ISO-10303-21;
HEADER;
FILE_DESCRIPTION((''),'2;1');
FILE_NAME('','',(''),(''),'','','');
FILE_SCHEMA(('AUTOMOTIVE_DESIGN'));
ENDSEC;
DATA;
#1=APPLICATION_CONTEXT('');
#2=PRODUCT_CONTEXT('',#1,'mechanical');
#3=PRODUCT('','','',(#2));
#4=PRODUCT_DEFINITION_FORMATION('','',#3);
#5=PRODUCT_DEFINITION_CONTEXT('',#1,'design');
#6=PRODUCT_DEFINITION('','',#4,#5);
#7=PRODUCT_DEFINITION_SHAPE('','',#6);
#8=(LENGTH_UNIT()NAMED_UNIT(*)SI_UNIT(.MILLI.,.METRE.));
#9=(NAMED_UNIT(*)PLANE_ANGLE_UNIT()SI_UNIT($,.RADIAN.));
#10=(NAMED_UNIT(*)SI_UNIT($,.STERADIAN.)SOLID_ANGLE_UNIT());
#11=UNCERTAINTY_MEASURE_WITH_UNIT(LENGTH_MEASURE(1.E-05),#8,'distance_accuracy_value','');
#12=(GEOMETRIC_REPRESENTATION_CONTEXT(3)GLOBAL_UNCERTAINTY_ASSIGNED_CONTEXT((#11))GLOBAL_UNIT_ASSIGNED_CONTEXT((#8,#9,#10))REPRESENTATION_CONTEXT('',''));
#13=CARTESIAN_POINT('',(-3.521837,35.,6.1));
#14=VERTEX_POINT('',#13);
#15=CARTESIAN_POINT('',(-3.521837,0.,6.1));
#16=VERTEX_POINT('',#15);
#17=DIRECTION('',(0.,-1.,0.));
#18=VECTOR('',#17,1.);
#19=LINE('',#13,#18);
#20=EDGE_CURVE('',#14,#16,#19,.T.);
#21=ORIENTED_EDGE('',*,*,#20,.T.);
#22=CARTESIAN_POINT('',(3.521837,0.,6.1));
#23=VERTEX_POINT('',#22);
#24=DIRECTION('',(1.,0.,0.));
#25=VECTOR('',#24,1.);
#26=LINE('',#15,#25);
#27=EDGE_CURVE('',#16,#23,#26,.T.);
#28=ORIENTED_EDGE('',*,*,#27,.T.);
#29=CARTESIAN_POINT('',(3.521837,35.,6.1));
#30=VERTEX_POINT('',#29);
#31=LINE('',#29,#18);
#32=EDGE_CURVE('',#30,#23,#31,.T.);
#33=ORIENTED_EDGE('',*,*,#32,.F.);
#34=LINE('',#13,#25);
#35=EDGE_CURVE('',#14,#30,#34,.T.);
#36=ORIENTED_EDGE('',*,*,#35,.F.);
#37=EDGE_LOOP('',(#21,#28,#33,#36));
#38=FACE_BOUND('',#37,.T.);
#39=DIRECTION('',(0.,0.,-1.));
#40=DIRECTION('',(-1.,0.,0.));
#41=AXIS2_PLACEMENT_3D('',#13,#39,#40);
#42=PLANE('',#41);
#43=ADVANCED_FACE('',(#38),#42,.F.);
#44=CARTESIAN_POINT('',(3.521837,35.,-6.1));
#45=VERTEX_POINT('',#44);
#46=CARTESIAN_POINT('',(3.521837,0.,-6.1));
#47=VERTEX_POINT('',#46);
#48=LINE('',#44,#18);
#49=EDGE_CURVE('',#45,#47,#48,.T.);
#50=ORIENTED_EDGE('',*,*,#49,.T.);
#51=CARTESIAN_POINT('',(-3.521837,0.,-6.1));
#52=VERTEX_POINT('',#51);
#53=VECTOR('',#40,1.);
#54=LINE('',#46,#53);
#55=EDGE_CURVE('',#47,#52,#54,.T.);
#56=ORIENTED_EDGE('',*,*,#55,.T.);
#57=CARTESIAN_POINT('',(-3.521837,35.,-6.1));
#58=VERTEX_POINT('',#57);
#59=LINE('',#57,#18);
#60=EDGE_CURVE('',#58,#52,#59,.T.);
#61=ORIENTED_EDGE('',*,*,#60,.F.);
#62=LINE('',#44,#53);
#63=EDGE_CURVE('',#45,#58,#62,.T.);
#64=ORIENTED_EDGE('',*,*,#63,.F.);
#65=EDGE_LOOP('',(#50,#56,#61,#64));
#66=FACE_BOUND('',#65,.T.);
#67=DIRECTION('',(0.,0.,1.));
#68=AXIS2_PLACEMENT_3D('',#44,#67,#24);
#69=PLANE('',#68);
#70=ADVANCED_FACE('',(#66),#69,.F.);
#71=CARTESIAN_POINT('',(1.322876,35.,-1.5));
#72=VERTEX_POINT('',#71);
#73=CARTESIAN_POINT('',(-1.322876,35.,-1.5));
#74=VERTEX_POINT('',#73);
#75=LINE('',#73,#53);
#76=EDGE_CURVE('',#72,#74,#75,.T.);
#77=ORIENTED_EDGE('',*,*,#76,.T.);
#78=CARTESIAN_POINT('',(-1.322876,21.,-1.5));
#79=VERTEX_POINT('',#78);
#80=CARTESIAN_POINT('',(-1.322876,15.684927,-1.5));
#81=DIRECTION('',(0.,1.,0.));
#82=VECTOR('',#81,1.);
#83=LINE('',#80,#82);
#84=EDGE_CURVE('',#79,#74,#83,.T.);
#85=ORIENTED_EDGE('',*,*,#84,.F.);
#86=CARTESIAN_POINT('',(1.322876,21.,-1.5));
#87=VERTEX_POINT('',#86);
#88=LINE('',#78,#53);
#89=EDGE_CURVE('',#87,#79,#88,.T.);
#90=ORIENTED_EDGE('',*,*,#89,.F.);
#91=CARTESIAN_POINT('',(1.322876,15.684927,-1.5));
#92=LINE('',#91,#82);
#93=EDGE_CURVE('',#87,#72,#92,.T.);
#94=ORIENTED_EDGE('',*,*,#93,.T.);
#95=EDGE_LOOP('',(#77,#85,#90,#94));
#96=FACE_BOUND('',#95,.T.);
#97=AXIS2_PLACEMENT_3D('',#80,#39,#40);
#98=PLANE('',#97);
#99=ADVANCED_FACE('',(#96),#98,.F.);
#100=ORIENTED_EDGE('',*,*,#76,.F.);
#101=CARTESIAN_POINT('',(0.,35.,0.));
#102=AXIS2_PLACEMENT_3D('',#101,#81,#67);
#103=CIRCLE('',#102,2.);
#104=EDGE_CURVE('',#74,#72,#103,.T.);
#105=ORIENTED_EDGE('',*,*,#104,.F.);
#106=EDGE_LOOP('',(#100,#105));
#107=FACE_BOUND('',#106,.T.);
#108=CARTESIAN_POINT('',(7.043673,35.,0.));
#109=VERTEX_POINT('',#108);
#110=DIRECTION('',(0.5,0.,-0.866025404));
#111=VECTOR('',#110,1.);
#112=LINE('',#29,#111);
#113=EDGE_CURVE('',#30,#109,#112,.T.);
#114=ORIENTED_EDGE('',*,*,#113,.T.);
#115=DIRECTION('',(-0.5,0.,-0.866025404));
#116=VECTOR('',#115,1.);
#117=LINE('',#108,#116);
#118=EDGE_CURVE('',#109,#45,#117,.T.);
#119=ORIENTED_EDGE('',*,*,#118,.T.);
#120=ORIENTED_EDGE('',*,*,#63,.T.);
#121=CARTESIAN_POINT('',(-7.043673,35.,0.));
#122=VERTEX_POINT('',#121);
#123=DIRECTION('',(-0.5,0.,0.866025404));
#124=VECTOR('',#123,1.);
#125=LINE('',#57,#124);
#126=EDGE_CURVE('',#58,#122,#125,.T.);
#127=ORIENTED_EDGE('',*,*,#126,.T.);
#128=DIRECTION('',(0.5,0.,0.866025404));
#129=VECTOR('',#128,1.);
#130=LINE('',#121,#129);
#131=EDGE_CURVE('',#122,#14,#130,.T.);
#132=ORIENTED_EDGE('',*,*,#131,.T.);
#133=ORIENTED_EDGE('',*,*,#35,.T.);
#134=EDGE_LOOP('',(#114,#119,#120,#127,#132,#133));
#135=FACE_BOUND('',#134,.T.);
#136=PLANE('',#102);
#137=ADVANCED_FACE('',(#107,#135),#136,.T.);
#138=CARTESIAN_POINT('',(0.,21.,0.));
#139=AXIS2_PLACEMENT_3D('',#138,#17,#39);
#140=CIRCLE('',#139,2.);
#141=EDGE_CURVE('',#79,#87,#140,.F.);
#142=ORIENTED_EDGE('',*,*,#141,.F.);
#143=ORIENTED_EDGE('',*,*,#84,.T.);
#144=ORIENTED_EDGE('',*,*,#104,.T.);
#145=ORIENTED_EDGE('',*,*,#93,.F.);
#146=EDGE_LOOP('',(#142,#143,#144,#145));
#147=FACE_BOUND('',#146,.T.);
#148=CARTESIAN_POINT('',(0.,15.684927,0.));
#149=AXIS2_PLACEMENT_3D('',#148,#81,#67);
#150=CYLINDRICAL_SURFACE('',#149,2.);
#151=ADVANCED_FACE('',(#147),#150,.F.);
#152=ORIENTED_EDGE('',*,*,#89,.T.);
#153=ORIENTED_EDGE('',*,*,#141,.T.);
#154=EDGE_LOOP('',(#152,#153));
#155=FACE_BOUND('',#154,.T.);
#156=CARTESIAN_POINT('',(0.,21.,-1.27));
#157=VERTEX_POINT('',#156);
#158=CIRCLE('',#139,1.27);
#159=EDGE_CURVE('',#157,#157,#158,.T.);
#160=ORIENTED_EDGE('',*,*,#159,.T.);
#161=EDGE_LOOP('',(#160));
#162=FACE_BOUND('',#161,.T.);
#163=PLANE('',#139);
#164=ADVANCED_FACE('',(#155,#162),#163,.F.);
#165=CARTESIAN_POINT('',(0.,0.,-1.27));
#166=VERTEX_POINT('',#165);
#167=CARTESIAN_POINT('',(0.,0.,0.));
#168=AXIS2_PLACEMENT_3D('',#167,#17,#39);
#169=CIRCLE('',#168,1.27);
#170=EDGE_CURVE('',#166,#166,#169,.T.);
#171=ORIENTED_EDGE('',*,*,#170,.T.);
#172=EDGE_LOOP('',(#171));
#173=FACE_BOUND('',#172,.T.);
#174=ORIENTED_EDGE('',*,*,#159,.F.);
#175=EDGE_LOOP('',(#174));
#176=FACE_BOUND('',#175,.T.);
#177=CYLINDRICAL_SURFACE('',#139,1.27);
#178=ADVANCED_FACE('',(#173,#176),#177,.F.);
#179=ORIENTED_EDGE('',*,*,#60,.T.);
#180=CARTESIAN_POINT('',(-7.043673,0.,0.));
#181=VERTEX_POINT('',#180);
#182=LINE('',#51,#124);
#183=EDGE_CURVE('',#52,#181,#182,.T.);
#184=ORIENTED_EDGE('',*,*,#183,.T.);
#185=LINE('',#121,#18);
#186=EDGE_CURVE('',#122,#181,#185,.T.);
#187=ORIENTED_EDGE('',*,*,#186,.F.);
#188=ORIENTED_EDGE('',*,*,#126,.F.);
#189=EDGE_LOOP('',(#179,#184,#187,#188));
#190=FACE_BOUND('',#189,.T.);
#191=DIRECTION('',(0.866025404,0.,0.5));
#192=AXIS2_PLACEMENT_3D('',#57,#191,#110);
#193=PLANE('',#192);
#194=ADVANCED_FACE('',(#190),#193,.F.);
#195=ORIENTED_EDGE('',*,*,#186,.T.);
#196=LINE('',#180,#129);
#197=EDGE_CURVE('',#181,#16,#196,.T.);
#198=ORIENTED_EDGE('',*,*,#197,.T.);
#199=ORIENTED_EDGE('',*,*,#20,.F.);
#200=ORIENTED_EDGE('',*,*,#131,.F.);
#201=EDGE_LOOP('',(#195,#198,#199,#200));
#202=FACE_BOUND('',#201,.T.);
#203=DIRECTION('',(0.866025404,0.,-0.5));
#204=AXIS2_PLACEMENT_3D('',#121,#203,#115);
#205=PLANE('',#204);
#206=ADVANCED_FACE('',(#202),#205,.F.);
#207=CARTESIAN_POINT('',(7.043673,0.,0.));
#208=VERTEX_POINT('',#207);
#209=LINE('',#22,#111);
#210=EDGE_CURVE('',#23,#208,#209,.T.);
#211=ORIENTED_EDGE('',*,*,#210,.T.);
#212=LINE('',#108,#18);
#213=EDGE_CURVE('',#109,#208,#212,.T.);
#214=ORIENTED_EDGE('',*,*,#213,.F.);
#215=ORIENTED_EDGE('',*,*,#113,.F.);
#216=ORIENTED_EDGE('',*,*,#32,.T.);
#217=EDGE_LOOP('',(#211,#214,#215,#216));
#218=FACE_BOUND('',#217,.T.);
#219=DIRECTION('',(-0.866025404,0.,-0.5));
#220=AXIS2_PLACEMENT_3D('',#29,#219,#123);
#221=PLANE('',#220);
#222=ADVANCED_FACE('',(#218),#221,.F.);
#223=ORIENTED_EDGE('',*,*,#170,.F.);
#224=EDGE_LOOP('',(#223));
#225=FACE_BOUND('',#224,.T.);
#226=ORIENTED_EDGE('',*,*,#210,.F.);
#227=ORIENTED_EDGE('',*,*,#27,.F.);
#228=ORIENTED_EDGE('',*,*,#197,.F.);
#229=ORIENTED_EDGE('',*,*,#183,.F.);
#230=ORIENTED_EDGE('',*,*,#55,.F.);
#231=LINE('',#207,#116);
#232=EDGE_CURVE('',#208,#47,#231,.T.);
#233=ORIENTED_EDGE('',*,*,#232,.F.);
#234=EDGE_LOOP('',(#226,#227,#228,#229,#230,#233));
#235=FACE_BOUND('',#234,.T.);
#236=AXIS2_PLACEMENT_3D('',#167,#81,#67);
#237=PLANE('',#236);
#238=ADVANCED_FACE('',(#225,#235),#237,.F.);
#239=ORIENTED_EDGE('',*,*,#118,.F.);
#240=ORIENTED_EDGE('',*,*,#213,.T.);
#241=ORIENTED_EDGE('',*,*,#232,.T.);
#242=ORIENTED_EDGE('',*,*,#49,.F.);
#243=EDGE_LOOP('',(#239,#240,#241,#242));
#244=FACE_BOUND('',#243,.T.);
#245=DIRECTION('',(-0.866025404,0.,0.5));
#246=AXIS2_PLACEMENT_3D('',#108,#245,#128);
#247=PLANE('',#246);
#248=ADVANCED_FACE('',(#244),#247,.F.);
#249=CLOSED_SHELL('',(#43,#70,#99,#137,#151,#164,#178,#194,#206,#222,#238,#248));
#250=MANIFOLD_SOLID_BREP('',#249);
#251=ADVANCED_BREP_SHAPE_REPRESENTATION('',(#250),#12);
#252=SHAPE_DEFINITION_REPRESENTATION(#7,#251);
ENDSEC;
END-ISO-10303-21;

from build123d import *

# Parameters (mm, degrees)
BOSS_EXTRUDE2_DEPTH = 35
SKETCH6_R           = 1.27
CUT_EXTRUDE2_DEPTH  = 21
CUT_EXTRUDE3_DEPTH  = 14


with BuildPart() as part:
    # Sketch1 → Boss-Extrude2 (new body)
    with BuildSketch(Plane(origin=(0, 0, 0), x_dir=(1, 0, 0), z_dir=(0, 1, 0))):
        Polygon((3.521836642, 6.1), (-3.521836642, 6.1), (-7.043673284, 0), (-3.521836642, -6.1), (3.521836642, -6.1), (7.043673284, 0), align=None)
    extrude(amount=BOSS_EXTRUDE2_DEPTH)

    # Sketch6 → Cut-Extrude2 (cut)
    with BuildSketch(Plane.XZ):
        Circle(SKETCH6_R)
    extrude(amount=-CUT_EXTRUDE2_DEPTH, mode=Mode.SUBTRACT)

    # Sketch7 → Cut-Extrude3 (cut)
    with BuildSketch(Plane(origin=(0, 35, 0), x_dir=(1, 0, 0), z_dir=(0, 1, 0))):
        with BuildLine():
            Line((-1.322875656, 1.5), (1.322875656, 1.5))
            ThreePointArc((1.322875656, 1.5), (0, -2), (-1.322875656, 1.5))
        make_face()
    extrude(amount=-CUT_EXTRUDE3_DEPTH, mode=Mode.SUBTRACT)


solid = part.part
